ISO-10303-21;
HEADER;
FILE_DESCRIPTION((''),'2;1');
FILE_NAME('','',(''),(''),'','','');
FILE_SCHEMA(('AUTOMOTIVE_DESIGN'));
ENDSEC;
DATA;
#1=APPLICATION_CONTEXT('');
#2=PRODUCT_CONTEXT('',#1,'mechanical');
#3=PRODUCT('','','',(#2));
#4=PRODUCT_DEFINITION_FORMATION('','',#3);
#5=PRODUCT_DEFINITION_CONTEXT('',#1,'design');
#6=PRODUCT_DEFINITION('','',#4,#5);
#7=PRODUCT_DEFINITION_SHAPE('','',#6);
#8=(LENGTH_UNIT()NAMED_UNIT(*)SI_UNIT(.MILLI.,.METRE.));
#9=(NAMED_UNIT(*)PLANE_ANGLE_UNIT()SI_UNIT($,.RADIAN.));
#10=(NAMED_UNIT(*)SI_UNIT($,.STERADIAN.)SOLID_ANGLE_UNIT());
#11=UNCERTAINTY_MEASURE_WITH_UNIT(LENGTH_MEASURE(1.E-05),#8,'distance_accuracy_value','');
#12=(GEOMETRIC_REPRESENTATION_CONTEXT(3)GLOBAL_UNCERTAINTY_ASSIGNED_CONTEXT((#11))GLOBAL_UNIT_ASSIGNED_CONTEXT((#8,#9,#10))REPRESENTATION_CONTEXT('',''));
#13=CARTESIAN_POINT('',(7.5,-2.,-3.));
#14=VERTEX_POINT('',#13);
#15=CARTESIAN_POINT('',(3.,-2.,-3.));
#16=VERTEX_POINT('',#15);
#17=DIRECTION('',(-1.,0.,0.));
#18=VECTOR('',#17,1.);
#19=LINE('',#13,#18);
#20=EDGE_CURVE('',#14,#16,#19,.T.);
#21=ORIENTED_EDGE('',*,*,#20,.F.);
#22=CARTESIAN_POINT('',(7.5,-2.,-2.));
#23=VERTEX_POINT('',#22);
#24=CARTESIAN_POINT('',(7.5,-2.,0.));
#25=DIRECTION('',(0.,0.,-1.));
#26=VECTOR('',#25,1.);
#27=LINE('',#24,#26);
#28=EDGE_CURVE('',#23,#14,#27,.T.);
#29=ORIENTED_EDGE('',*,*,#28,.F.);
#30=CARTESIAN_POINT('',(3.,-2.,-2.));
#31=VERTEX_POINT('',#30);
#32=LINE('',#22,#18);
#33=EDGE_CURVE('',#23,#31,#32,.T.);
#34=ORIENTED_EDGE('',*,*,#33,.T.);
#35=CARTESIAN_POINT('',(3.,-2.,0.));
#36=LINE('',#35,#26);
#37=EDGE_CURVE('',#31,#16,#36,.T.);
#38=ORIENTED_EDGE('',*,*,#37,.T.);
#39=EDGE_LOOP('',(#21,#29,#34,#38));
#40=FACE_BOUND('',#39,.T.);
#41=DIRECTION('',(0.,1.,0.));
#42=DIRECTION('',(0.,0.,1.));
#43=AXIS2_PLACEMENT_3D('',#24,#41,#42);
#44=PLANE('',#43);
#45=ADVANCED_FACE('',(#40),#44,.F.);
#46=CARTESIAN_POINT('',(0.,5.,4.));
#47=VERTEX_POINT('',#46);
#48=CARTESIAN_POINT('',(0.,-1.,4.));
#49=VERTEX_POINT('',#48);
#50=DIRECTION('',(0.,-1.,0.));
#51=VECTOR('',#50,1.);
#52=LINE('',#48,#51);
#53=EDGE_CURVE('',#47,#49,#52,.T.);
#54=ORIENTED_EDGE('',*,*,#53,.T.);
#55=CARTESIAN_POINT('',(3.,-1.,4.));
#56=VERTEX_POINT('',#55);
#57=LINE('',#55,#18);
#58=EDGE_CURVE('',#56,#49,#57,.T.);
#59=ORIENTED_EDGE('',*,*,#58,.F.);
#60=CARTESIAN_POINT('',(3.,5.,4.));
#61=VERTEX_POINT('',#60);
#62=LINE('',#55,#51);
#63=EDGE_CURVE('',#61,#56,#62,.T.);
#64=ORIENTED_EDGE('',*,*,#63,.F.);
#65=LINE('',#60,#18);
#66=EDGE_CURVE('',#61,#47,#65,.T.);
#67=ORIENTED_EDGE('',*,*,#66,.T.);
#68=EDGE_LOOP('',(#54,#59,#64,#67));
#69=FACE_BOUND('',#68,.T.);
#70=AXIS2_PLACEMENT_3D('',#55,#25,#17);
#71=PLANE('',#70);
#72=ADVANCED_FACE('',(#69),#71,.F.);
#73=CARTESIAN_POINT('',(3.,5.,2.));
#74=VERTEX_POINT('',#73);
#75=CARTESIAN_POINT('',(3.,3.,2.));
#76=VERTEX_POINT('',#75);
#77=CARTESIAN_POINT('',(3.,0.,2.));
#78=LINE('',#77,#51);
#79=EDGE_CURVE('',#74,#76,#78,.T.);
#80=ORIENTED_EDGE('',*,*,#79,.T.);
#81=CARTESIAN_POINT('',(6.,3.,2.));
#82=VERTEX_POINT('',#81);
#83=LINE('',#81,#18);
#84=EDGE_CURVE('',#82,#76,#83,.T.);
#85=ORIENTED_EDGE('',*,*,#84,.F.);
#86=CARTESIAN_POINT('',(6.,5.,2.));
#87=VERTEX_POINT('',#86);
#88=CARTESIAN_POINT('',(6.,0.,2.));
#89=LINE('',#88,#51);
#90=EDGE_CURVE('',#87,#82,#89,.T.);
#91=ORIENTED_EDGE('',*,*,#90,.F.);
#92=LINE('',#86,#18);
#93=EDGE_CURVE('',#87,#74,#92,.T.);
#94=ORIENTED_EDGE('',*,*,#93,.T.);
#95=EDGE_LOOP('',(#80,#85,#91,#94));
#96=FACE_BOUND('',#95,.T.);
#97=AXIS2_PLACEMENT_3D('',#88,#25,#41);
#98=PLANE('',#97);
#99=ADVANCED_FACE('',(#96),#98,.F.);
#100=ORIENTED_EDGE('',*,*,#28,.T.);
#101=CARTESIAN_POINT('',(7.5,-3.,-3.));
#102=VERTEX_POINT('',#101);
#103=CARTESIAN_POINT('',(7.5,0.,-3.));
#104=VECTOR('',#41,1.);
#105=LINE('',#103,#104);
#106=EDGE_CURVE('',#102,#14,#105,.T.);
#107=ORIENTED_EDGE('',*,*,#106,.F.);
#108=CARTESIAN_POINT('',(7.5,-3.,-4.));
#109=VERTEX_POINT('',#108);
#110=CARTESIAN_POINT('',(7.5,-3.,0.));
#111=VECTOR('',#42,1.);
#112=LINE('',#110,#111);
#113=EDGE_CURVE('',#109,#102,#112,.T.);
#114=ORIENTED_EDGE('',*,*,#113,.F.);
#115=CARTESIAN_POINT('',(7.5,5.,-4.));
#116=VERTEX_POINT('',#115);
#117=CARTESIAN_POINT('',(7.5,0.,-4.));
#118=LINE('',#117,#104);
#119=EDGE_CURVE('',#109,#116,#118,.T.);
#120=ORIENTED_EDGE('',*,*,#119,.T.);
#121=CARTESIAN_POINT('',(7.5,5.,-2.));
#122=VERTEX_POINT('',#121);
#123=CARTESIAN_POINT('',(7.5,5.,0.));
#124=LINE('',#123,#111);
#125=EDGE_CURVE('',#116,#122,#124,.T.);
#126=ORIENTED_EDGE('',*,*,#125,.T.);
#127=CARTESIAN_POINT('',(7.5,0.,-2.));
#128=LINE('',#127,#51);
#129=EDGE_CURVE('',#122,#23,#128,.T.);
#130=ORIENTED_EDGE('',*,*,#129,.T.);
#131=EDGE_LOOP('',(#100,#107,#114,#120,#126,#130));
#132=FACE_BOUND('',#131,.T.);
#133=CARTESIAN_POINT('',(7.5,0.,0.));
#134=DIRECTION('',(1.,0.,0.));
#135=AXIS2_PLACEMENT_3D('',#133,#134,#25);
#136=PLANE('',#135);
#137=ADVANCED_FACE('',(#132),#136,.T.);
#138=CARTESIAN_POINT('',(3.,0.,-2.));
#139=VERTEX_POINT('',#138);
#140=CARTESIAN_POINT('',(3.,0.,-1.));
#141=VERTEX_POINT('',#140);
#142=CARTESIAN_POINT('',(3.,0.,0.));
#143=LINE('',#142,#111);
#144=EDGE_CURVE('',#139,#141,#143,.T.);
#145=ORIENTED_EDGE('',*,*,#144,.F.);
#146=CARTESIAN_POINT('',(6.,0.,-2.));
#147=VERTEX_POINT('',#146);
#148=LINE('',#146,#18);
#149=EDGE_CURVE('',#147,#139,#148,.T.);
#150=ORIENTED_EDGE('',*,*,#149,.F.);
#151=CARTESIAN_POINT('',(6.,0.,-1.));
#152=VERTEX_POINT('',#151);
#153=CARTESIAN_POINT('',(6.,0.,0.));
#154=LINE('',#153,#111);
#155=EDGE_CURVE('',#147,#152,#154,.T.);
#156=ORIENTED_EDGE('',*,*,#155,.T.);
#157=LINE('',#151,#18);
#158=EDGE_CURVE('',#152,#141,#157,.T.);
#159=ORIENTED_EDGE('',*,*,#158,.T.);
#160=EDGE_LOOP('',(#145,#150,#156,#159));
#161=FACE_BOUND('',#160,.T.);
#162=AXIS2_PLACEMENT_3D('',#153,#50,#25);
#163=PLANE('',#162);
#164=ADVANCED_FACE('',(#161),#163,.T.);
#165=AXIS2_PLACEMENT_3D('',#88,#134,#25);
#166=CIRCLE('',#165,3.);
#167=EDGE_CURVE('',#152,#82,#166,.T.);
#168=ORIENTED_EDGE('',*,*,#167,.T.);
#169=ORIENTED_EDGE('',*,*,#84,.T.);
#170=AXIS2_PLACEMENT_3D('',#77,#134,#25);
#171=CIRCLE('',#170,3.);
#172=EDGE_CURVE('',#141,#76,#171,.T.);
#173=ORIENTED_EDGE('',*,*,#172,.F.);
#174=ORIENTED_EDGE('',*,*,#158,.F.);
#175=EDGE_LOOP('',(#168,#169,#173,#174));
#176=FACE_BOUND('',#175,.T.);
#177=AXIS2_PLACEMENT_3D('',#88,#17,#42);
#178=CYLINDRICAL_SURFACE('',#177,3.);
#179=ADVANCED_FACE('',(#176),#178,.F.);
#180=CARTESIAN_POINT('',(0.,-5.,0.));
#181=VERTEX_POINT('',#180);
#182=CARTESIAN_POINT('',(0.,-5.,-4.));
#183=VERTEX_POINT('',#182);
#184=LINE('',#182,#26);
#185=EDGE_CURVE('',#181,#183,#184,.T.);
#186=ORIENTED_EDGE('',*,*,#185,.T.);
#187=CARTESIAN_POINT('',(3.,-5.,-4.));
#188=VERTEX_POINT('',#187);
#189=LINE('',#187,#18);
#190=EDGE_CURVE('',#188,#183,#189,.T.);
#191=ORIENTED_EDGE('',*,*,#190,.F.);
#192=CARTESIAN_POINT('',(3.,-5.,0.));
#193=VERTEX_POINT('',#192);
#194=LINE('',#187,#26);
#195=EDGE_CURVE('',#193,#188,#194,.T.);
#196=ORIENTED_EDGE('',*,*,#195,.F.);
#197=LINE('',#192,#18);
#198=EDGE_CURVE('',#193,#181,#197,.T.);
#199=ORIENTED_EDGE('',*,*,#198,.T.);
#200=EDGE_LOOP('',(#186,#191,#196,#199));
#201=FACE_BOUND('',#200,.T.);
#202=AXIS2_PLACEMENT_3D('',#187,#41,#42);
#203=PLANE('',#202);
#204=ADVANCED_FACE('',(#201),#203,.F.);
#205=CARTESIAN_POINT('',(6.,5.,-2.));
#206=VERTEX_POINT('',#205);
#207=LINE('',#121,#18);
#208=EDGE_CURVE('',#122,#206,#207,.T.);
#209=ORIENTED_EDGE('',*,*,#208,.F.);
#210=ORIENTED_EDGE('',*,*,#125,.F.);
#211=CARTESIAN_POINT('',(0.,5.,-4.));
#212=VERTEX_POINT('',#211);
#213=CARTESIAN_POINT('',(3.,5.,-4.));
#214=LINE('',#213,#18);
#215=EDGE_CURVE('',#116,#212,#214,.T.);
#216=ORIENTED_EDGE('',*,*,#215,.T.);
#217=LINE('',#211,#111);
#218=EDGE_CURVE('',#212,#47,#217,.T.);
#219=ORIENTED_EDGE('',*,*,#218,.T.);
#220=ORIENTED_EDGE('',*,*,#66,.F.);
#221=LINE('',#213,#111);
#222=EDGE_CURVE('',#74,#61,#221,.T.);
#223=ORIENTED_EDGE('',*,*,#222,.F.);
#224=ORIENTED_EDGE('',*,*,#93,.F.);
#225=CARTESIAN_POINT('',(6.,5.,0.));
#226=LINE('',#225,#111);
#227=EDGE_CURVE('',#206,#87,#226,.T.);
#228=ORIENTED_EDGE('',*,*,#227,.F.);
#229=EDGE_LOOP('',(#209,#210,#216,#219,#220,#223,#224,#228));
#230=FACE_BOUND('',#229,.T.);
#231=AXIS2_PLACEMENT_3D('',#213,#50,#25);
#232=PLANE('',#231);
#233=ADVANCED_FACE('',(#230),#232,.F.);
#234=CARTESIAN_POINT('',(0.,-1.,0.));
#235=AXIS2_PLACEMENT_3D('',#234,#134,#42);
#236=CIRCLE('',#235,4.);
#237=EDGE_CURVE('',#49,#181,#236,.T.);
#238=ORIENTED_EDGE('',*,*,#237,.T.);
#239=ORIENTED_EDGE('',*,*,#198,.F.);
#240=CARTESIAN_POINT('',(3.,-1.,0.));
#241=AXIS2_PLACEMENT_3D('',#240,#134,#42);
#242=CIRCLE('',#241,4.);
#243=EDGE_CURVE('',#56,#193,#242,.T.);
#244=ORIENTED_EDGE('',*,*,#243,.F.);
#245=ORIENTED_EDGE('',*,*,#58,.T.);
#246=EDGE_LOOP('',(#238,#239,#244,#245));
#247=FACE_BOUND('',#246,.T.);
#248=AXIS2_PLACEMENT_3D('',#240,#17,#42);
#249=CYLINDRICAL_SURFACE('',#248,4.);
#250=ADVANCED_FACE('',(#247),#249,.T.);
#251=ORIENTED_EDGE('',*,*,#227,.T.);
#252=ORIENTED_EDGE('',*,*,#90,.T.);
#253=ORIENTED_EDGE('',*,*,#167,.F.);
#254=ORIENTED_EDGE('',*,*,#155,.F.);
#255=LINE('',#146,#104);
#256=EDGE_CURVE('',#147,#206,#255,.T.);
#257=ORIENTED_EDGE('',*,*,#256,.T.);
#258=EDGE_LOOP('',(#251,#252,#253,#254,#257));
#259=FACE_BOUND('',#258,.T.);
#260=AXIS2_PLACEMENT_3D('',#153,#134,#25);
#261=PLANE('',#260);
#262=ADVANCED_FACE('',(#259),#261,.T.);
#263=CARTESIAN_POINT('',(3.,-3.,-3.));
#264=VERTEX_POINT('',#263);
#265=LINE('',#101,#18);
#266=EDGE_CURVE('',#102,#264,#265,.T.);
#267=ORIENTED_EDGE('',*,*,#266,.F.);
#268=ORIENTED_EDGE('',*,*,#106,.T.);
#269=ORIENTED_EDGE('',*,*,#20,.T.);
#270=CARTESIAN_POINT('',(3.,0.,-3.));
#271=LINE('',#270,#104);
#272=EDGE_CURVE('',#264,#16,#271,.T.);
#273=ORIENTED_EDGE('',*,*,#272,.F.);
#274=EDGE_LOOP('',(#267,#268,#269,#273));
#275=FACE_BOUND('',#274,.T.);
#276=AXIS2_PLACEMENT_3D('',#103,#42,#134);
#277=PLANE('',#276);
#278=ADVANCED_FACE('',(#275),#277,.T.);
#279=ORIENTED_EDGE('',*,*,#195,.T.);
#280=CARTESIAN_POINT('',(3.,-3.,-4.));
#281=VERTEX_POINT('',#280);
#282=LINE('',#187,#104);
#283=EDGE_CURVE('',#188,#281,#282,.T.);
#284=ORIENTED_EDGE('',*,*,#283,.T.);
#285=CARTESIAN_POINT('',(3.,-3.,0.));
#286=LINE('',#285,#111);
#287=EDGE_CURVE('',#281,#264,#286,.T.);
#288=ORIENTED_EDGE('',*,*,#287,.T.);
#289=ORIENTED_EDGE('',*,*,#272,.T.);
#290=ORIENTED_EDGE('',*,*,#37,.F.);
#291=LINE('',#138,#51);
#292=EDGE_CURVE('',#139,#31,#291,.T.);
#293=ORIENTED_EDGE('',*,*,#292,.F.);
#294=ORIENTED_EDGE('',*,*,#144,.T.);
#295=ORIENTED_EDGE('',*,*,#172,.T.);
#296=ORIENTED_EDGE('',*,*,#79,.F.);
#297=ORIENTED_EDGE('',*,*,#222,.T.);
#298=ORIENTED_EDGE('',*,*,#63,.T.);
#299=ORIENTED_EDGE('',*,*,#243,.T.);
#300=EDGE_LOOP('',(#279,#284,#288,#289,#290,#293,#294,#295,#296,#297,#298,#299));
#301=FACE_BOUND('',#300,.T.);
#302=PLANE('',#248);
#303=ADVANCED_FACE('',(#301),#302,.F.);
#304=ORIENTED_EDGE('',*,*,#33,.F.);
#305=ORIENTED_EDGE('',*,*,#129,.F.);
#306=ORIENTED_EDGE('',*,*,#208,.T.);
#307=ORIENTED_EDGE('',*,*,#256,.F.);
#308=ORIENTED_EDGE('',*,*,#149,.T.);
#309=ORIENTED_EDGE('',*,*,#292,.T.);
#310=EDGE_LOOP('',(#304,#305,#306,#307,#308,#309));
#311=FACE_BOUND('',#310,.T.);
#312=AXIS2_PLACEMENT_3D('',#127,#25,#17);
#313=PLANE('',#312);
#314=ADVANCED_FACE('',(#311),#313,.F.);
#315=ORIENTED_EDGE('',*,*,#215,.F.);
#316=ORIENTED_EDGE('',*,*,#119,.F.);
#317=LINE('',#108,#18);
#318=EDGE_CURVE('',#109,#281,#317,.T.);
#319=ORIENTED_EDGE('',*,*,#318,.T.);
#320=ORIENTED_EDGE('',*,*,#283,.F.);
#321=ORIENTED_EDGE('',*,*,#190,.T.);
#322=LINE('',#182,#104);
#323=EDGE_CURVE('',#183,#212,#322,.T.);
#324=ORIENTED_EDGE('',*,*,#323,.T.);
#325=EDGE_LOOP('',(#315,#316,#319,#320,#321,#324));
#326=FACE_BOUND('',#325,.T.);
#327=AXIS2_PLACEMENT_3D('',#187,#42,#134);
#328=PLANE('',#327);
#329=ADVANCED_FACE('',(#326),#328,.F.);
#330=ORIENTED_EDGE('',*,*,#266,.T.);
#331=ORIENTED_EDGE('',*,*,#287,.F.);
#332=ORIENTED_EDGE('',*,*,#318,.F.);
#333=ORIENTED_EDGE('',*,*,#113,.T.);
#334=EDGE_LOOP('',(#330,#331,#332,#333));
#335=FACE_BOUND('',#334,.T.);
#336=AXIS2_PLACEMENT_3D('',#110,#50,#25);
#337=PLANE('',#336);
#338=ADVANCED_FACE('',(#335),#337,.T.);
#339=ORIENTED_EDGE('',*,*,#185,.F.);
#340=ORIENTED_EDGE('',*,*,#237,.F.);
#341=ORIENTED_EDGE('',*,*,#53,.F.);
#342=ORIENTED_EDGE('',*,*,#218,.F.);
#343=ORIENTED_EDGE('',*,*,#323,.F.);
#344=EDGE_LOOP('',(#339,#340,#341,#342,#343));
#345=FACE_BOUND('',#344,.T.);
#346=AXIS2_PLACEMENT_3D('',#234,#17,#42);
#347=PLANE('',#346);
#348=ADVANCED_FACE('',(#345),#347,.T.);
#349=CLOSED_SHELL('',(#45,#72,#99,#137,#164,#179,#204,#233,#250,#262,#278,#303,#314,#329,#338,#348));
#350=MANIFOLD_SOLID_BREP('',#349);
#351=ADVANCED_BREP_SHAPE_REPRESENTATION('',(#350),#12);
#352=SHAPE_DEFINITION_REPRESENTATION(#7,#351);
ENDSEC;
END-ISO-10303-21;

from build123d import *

# Parameters (mm, degrees)
BOSS_EXTRUDE1_DEPTH = 3
BOSS_EXTRUDE2_DEPTH = 4.5
BOSS_EXTRUDE3_DEPTH = 3


with BuildPart() as part:
    # Sketch1 → Boss-Extrude1 (new body)
    with BuildSketch(Plane(origin=(0, 0, 0), x_dir=(0, 0, -1), z_dir=(1, 0, 0))):
        with BuildLine():
            Line((4, -5), (0, -5))
            ThreePointArc((0, -5), (-2.828427125, -3.828427125), (-4, -1))
            Line((-4, -1), (-4, 5))
            Line((-4, 5), (4, 5))
            Line((4, 5), (4, -5))
        make_face()
    extrude(amount=BOSS_EXTRUDE1_DEPTH)

    # Sketch2 → Boss-Extrude2 (add)
    with BuildSketch(Plane(origin=(3, 0, 0), x_dir=(0, 0, -1), z_dir=(1, 0, 0))):
        Polygon((4, -3), (4, 5), (2, 5), (2, -2), (3, -2), (3, -3), align=None)
    extrude(amount=BOSS_EXTRUDE2_DEPTH)

    # Sketch3 → Boss-Extrude3 (add)
    with BuildSketch(Plane(origin=(3, 0, 0), x_dir=(0, 0, -1), z_dir=(1, 0, 0))):
        with BuildLine():
            Line((2, 0), (2, 5))
            Line((2, 5), (-2, 5))
            Line((-2, 5), (-2, 3))
            ThreePointArc((-2, 3), (0.121320344, 2.121320344), (1, 0))
            Line((1, 0), (2, 0))
        make_face()
    extrude(amount=BOSS_EXTRUDE3_DEPTH)


solid = part.part
